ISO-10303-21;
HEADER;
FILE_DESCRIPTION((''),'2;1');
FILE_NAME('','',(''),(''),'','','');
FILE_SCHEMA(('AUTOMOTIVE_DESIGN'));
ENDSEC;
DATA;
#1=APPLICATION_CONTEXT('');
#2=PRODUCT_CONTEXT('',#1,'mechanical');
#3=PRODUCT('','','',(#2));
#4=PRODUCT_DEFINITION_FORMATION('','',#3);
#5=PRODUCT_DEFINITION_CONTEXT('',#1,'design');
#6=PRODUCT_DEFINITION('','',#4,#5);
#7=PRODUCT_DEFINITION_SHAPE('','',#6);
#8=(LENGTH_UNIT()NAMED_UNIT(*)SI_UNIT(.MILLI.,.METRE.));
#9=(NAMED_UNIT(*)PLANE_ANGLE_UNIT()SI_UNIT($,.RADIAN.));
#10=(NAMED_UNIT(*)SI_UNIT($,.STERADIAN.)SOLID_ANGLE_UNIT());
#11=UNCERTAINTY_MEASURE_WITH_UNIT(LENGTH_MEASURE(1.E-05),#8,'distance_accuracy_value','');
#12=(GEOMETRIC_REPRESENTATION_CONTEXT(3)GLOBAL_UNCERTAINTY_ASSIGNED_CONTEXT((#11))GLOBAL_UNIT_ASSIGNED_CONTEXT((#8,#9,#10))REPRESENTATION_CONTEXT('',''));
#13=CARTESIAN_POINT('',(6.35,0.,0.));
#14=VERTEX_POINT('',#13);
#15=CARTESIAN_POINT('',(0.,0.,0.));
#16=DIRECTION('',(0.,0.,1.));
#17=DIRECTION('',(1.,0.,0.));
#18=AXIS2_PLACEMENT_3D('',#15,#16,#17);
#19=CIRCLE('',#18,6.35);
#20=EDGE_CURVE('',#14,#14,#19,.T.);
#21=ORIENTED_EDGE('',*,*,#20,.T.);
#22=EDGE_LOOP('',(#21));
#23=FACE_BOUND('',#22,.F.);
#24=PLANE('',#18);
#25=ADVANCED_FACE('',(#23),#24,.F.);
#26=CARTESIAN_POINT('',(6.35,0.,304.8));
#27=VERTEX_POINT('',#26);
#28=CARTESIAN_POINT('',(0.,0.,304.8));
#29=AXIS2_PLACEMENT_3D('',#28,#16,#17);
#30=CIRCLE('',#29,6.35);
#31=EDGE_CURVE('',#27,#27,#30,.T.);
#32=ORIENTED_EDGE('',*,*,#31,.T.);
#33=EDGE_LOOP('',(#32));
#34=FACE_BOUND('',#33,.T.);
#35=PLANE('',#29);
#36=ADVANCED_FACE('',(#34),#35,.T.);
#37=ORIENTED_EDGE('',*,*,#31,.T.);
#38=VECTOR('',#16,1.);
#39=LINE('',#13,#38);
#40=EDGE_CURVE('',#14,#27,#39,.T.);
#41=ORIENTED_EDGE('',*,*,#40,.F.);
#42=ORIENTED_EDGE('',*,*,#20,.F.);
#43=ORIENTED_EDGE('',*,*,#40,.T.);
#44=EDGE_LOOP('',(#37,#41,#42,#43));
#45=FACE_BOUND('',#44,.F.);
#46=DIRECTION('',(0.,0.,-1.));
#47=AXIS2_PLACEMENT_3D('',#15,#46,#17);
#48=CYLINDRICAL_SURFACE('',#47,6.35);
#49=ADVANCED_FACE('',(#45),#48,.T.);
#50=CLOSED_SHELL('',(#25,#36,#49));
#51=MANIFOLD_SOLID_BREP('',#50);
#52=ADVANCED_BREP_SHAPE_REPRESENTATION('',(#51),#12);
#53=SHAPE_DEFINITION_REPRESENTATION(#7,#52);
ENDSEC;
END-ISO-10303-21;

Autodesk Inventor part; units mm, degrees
ref_plane "YZ Plane" through (0, 0, 0) normal (1, 0, 0) x (0, 1, 0)
ref_plane "XZ Plane" through (0, 0, 0) normal (0, 1, 0) x (-1, 0, 0)
ref_plane "XY Plane" through (0, 0, 0) normal (0, 0, 1) x (1, 0, 0)
sketch "Sketch1" plane through (0, 0, 0) normal (0, 0, 1) x (1, 0, 0)
  circle A0 centre (0, 0) radius 6.35
  dimension "d0" = 12.7
  dimension "d0" = 12.7
extrude "Extrusion1" add sketch "Sketch1" along normal blind 304.8
properties part number "uptake polycord shaft"
